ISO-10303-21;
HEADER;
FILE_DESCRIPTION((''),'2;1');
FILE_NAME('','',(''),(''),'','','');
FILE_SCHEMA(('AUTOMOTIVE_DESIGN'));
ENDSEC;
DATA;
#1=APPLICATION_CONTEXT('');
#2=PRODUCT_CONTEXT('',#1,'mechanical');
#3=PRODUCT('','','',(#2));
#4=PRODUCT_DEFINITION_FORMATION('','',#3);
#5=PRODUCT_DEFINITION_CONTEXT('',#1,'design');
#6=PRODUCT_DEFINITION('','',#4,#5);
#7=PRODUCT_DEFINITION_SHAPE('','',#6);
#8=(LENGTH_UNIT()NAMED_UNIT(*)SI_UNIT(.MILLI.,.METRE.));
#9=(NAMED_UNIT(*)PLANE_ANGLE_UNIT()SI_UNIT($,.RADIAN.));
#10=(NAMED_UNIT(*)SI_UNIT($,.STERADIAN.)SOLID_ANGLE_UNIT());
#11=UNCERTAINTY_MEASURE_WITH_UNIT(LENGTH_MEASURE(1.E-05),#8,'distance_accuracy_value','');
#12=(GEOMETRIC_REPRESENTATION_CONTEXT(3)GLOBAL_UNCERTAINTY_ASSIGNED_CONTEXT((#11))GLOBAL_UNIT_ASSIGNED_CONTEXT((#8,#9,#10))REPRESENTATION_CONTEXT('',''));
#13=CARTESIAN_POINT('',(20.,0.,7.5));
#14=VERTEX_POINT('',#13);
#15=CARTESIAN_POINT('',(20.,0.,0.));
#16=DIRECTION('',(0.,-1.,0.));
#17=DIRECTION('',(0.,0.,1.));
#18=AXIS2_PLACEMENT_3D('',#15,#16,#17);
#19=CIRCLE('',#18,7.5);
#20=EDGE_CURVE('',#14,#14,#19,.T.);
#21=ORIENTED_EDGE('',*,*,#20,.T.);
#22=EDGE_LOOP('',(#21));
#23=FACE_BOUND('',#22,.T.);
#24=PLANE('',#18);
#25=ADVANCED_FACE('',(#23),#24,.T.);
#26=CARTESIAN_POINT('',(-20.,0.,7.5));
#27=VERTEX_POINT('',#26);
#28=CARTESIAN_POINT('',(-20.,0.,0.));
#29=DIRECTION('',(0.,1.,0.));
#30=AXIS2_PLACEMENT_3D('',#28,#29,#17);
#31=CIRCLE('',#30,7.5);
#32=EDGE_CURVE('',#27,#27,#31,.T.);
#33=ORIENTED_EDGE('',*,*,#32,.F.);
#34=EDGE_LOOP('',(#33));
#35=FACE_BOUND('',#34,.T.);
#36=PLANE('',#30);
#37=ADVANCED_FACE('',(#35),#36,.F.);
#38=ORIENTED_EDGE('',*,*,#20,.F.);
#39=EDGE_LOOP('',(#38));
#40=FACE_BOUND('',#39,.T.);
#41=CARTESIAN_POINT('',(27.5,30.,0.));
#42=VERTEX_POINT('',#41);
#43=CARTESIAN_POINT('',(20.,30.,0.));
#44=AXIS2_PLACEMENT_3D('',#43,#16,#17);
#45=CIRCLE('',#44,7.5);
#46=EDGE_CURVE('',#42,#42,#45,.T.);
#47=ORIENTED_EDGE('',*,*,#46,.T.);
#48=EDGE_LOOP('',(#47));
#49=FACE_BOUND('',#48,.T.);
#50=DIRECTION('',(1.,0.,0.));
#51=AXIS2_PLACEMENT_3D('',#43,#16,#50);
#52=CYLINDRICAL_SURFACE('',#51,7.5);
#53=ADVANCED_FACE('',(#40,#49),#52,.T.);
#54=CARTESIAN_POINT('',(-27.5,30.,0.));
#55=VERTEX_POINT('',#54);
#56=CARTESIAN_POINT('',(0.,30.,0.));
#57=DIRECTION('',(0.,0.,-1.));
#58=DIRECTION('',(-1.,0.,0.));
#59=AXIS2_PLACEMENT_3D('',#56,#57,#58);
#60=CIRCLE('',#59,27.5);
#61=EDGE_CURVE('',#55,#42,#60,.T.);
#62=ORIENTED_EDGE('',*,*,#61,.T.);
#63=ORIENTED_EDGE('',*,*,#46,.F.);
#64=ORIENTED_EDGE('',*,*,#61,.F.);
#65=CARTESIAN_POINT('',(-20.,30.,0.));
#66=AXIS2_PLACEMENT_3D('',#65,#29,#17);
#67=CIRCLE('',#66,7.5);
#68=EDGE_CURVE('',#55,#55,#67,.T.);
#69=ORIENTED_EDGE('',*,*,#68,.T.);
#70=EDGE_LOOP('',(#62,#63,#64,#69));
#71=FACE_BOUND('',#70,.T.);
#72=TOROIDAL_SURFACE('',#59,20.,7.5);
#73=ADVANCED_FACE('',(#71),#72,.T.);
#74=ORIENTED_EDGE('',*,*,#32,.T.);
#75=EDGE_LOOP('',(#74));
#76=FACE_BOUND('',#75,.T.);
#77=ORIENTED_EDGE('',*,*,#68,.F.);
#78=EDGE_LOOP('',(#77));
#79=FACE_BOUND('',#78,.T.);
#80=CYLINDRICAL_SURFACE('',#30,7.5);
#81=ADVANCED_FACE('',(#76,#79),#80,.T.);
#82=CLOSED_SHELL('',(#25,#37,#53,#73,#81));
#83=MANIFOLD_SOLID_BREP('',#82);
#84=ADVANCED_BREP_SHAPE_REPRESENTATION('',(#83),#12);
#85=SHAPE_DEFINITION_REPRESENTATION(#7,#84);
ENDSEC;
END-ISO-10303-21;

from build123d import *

# Parameters (mm, degrees)
SKETCH2_R = 7.5


with BuildPart() as part:
    # Sweep1: sweep along a path in Sketch1
    with BuildLine(Plane.XY) as sweep1_path:
        Line((-20, 0), (-20, 30))
        ThreePointArc((-20, 30), (0, 50), (20, 30))
        Line((20, 30), (20, 0))
    # Sketch2 → Sweep1 (sweep)
    with BuildSketch(Plane(origin=(0, 0, 0), x_dir=(1, 0, 0), z_dir=(0, 1, 0))):
        with Locations((-20, 0)):
            Circle(SKETCH2_R)
    sweep(path=sweep1_path.line)


solid = part.part
